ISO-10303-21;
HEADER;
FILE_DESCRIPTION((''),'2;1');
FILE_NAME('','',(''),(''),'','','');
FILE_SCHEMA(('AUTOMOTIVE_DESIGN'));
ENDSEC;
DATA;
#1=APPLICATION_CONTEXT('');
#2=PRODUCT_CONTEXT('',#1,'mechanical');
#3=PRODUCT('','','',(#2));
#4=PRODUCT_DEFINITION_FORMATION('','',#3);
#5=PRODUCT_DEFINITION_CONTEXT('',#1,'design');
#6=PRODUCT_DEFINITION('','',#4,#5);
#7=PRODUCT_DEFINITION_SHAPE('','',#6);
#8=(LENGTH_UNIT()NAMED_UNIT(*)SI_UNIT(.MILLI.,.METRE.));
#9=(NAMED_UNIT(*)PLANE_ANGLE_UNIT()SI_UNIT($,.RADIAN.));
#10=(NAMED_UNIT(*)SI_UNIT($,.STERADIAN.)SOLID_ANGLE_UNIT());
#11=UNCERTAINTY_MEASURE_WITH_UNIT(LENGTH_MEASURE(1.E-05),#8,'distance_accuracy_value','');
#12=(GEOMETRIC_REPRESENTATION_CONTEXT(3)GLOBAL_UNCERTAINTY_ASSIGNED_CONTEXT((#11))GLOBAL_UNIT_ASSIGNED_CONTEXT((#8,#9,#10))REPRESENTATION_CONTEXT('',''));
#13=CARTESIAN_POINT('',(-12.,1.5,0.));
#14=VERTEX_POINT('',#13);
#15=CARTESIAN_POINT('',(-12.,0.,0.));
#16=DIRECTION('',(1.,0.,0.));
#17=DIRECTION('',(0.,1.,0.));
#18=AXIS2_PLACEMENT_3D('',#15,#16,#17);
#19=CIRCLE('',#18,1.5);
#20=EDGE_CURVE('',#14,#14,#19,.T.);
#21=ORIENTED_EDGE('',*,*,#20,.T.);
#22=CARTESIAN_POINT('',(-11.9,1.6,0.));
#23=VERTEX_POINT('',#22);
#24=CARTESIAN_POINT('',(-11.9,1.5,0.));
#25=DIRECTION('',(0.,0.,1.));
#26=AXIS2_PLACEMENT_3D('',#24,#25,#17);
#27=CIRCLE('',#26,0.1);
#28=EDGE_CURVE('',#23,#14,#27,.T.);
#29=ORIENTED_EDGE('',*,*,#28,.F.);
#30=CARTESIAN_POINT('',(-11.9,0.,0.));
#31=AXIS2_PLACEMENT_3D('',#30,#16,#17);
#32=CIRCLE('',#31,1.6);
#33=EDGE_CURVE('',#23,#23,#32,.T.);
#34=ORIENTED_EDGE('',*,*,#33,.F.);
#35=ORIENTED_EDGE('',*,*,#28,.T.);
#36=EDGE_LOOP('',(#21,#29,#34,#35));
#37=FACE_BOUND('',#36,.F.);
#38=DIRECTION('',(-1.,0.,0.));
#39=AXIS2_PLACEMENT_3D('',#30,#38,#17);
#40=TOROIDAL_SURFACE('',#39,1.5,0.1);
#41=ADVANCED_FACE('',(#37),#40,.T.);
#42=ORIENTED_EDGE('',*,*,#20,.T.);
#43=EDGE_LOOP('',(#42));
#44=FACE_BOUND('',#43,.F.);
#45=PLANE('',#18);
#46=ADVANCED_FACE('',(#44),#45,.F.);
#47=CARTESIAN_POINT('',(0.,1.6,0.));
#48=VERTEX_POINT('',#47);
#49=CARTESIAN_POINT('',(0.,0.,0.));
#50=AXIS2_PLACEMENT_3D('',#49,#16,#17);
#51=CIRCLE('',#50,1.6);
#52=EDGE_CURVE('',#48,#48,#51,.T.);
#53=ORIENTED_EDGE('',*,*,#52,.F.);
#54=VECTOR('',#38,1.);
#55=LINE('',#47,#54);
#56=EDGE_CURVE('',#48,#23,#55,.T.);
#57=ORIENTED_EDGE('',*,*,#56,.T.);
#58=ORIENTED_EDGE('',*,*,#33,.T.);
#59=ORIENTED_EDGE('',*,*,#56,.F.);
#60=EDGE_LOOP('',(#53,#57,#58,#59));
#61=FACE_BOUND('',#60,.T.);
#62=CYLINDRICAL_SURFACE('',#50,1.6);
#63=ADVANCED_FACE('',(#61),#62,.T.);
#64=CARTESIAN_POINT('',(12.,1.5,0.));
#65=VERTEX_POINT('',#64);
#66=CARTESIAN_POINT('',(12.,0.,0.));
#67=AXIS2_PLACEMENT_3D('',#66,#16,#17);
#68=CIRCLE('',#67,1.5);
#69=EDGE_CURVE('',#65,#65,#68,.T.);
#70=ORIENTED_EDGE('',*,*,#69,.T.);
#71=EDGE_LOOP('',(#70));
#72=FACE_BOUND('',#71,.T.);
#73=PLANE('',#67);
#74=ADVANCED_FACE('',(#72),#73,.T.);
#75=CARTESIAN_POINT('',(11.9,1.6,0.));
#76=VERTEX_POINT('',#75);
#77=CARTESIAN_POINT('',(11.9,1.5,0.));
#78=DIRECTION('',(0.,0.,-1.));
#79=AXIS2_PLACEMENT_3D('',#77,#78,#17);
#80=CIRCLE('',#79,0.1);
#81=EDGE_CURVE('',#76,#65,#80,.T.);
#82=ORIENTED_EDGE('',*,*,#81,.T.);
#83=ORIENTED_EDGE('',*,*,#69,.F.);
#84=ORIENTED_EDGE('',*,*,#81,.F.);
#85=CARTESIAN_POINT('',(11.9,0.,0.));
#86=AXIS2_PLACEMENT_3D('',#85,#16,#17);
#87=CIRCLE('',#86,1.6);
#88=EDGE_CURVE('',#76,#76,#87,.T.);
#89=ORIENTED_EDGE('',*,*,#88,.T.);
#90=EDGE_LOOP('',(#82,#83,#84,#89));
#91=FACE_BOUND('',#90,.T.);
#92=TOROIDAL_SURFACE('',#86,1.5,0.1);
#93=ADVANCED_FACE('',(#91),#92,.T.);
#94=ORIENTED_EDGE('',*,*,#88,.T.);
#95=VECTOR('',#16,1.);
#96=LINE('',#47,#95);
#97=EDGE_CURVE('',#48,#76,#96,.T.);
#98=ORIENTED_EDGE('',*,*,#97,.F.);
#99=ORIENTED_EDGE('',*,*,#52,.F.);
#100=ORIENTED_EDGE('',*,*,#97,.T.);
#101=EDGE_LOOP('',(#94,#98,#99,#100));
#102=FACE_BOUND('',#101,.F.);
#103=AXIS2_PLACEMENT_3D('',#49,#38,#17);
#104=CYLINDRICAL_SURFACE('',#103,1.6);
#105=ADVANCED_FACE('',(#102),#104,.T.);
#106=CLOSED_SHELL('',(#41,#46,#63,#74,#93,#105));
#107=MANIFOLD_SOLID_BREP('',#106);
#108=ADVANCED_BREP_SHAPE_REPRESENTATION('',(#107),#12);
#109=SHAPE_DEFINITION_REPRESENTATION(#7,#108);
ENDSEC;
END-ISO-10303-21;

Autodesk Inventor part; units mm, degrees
ref_plane "YZ Plane" through (0, 0, 0) normal (1, 0, 0) x (0, 1, 0)
ref_plane "XZ Plane" through (0, 0, 0) normal (0, 1, 0) x (-1, 0, 0)
ref_plane "XY Plane" through (0, 0, 0) normal (0, 0, 1) x (1, 0, 0)
sketch "Sketch1" plane through (0, 0, 0) normal (1, 0, 0) x (0, 1, 0)
  circle A0 centre (0, 0) radius 1.6
  dimension "d26" = 3.2
extrude "Extrusion7" add sketch "Sketch1" along normal mid plane 24
fillet "Fillet2" radius 0.1 2 edges at (12, -1.6, 0) (-12, -1.6, 0)
equation "\"d26\" = rd"
equation "\"d27\" = 3 * lu"
equation "\"rd\" = 3.2"
equation "\"lu\" = 8"
properties part number "87994-LtBluishGray" material "ABS Plastic"
